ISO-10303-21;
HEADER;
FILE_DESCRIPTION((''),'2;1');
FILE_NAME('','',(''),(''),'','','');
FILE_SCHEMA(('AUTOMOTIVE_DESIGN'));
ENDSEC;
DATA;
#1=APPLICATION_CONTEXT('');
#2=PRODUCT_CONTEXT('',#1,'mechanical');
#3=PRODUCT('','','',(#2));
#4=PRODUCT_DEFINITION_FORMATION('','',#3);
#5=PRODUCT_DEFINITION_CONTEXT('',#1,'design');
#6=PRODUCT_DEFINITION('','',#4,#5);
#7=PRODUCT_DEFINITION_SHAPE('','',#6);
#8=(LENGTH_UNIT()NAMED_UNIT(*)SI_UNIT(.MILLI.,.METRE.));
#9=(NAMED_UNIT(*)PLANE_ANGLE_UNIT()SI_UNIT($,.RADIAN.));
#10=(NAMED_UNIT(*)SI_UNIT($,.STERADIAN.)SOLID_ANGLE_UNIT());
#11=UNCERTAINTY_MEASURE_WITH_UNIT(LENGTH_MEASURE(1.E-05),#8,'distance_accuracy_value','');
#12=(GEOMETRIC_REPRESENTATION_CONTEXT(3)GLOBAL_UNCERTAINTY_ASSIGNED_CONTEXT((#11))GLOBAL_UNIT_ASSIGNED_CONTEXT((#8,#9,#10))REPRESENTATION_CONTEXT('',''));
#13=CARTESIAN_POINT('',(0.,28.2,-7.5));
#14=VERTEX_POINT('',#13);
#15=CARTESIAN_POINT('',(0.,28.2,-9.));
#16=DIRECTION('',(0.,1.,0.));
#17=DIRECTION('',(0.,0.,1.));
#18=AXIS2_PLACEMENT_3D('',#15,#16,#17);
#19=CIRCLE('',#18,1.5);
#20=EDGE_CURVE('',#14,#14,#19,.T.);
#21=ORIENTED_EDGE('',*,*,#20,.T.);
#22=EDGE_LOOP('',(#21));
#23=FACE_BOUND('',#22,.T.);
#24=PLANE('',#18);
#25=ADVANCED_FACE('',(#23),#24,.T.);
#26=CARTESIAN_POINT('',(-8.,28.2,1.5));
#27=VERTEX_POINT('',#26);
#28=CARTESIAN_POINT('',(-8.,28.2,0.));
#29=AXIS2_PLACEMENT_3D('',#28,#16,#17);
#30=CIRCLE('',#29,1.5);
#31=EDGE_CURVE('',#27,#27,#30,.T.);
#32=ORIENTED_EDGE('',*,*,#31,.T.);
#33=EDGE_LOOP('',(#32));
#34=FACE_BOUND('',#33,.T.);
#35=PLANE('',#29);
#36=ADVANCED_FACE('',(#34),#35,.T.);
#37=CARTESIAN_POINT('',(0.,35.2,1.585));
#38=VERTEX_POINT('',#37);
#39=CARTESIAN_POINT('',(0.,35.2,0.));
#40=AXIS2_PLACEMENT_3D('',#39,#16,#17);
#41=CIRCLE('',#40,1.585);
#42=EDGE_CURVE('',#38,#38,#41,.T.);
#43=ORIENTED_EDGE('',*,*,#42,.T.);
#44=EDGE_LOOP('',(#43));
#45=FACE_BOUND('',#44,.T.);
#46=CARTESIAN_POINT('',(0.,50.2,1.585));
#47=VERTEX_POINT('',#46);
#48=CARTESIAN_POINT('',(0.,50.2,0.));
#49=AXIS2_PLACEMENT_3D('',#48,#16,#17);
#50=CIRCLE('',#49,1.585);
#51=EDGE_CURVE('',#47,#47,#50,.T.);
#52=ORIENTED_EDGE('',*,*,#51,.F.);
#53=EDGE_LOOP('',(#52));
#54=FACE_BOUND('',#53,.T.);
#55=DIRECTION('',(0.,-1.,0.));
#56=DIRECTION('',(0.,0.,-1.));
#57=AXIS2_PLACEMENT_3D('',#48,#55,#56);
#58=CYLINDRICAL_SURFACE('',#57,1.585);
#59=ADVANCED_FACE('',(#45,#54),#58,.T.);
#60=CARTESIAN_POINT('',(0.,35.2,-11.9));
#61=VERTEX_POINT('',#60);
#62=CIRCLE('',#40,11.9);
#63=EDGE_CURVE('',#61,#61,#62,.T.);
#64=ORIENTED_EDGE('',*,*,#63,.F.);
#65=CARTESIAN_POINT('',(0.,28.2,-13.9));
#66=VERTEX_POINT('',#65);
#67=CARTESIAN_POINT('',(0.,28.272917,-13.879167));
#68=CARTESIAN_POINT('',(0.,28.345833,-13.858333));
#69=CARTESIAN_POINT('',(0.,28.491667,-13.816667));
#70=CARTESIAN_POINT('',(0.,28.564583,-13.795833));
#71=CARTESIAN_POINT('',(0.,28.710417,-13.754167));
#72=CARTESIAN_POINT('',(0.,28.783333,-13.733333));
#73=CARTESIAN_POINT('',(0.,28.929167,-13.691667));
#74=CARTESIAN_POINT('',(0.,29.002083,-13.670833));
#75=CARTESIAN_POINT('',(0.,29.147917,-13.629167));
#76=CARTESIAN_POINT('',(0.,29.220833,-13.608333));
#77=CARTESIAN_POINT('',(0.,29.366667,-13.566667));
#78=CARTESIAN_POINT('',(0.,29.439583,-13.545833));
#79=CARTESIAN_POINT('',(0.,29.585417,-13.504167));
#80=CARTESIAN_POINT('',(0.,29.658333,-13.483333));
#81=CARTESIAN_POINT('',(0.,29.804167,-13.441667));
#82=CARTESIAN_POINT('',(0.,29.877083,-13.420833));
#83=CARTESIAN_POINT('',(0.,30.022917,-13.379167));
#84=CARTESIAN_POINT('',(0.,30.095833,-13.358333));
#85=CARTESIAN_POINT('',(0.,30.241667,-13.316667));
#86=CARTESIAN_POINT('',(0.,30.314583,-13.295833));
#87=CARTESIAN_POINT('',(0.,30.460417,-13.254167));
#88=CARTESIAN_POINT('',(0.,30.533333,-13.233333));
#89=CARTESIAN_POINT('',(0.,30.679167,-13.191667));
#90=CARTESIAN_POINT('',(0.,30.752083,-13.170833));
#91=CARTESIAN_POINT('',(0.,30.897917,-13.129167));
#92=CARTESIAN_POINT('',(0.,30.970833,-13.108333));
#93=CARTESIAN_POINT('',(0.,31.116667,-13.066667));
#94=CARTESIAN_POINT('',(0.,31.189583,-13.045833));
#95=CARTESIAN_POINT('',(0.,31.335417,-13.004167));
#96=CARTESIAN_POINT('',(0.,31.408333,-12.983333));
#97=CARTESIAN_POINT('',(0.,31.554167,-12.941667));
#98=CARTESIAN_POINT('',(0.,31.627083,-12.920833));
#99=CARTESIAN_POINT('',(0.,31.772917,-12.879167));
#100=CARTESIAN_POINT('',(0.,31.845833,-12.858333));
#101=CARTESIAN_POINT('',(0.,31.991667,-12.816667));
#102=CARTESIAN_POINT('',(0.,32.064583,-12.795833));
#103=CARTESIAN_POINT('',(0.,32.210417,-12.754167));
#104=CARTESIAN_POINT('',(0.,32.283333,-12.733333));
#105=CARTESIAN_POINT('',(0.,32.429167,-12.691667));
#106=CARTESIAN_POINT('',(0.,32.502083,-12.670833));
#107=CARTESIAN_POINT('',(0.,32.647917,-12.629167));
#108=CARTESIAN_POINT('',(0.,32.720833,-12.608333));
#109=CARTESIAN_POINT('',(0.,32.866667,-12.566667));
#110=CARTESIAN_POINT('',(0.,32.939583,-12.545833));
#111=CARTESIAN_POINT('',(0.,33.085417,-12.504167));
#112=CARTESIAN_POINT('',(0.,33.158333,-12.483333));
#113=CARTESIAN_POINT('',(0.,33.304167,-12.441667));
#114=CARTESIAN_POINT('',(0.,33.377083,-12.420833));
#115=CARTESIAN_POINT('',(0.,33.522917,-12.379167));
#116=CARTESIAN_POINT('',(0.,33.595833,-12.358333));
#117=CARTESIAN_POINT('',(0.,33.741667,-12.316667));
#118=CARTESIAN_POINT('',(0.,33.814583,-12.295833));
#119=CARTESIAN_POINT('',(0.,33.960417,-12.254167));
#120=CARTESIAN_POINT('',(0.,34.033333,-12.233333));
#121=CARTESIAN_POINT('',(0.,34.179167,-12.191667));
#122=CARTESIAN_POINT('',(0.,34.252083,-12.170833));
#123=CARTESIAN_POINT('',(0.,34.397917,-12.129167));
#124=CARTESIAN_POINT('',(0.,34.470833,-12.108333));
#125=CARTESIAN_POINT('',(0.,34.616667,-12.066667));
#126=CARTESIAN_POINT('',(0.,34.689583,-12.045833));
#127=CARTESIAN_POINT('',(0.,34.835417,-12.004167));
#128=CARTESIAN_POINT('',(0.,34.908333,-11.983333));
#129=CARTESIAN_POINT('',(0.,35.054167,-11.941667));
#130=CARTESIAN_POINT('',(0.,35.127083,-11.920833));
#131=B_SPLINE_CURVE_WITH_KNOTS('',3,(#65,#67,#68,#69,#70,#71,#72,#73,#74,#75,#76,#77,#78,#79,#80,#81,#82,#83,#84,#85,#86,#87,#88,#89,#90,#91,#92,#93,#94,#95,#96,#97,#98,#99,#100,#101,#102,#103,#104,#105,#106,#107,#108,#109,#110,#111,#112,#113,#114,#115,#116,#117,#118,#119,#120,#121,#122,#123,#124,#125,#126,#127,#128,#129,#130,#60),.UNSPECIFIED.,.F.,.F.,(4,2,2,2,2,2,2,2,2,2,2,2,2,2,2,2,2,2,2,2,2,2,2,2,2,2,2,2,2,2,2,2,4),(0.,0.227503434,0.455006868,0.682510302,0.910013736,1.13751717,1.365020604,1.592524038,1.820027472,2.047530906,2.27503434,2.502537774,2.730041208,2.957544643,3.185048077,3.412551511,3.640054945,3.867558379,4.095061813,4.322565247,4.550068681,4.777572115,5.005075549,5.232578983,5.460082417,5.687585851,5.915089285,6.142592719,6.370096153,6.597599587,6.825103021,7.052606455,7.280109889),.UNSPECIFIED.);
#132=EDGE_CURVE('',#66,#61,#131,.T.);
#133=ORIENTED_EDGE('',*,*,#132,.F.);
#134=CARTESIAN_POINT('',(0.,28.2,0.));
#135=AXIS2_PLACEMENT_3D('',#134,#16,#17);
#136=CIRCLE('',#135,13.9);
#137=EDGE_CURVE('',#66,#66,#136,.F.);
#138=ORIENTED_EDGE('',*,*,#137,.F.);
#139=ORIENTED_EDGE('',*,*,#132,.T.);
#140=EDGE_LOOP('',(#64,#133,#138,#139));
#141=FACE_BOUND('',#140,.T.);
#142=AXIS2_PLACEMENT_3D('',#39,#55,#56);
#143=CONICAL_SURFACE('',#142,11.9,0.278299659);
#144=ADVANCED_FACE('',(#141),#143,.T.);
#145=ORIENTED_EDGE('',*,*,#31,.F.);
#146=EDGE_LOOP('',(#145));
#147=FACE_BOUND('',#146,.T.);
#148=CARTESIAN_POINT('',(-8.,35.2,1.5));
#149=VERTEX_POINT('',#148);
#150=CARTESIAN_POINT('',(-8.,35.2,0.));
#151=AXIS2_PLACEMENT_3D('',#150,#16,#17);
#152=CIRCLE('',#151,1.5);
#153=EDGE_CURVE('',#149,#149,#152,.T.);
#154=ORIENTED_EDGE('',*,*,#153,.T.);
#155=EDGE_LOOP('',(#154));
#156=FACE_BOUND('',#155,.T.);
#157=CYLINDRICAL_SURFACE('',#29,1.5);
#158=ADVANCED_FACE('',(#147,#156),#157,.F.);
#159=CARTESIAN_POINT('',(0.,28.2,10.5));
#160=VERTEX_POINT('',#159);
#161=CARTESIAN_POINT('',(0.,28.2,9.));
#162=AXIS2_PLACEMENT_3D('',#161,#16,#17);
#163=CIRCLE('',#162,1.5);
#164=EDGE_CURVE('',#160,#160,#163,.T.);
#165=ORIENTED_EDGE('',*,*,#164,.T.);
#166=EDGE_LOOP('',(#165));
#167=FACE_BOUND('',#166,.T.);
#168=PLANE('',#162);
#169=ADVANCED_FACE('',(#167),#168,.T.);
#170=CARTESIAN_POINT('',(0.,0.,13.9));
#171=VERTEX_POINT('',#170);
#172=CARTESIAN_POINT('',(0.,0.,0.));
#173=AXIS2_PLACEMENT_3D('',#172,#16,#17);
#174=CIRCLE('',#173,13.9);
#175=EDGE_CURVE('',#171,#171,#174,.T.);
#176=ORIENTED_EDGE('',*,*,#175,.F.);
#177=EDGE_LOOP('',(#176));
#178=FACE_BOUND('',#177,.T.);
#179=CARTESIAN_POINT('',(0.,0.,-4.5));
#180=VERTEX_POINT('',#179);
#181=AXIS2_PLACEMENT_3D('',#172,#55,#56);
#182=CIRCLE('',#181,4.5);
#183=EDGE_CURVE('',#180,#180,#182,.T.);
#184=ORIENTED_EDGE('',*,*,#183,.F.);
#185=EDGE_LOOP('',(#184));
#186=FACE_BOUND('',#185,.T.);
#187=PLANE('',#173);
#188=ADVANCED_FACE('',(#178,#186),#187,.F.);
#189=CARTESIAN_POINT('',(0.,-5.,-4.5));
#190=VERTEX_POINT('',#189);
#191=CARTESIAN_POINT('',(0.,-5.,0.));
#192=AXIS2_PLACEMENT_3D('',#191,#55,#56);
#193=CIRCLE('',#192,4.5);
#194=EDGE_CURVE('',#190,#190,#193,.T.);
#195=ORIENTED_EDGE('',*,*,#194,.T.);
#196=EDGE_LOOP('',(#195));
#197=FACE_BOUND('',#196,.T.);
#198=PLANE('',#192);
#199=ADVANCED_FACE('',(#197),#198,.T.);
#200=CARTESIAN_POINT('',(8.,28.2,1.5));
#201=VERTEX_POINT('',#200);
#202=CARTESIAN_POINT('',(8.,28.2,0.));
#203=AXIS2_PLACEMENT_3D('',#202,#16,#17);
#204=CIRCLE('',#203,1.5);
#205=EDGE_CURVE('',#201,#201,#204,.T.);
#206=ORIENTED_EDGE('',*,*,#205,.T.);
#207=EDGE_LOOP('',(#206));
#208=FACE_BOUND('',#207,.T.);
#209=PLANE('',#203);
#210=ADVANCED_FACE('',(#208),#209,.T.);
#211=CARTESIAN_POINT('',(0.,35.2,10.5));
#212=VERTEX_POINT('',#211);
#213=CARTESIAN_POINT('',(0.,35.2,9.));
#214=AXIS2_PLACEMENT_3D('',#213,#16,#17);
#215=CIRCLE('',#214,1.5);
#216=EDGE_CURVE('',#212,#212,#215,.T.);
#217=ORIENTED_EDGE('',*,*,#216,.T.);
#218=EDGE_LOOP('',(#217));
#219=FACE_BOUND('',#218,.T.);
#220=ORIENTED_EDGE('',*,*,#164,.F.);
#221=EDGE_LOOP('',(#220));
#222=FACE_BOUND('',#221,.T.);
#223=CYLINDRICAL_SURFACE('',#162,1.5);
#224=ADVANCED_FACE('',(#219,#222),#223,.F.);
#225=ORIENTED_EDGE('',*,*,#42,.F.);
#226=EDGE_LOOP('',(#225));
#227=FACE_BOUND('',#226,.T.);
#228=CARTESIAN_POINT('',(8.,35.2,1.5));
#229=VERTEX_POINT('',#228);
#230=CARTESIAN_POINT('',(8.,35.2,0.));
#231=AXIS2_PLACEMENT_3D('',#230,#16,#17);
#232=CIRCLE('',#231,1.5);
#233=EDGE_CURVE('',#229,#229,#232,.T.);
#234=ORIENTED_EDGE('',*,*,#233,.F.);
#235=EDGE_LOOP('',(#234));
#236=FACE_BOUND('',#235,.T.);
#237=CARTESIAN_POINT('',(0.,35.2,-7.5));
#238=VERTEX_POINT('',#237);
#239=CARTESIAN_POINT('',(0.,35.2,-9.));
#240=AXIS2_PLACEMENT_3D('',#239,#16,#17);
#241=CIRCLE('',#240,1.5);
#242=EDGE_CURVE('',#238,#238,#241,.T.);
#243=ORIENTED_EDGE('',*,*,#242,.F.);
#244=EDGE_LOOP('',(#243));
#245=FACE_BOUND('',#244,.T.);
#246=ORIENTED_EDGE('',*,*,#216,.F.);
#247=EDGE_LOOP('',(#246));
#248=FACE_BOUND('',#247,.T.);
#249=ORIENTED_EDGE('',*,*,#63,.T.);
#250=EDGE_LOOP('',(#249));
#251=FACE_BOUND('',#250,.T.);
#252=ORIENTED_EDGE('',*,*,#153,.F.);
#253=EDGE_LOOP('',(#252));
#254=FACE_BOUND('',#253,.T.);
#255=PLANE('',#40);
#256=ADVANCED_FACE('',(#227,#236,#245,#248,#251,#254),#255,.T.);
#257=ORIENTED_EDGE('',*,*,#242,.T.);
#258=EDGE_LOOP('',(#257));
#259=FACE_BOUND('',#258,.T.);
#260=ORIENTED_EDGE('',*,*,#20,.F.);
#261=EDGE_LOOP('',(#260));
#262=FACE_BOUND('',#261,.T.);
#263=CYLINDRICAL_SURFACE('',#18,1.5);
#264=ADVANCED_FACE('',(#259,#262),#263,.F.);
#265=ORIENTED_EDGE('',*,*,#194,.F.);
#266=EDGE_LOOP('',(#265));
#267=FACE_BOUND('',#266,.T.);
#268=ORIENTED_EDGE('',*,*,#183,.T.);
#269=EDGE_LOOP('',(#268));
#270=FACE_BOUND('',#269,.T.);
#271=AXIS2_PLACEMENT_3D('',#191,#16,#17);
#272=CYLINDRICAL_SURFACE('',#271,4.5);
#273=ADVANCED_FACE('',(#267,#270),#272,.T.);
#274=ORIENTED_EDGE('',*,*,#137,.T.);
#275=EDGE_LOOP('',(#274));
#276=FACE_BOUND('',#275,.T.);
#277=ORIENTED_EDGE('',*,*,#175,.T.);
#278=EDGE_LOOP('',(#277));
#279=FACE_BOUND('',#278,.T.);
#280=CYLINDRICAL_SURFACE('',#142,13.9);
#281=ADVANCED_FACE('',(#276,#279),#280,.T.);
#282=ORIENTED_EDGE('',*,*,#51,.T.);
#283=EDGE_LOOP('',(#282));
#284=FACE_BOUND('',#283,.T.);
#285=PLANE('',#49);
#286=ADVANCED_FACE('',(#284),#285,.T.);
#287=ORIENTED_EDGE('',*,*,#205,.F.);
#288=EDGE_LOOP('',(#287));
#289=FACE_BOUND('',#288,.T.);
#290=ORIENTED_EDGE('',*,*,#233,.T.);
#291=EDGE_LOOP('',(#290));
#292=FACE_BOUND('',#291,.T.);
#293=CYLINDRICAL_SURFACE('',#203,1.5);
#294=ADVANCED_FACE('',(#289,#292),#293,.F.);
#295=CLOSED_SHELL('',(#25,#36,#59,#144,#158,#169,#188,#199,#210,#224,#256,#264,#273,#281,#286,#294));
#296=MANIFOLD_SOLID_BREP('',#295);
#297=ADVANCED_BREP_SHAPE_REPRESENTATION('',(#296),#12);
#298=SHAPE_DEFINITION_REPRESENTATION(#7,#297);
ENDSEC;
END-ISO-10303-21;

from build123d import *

# Parameters (mm, degrees)
SKETCH1_R           = 13.9
BOSS_EXTRUDE1_DEPTH = 35.2
SKETCH2_R           = 1.585
BOSS_EXTRUDE2_DEPTH = 15
SKETCH4_R           = 1.5
CUT_EXTRUDE1_DEPTH  = 7
CHAMFER1_SIZE       = 7
CHAMFER1_SIZE2      = 2
SKETCH5_R           = 4.5
BOSS_EXTRUDE3_DEPTH = 5


with BuildPart() as part:
    # Sketch1 → Boss-Extrude1 (new body)
    with BuildSketch(Plane(origin=(0, 0, 0), x_dir=(1, 0, 0), z_dir=(0, 1, 0))):
        with Locations(Location((0, 0, 0), (0, 0, 270))):
            Circle(SKETCH1_R)
    extrude(amount=BOSS_EXTRUDE1_DEPTH)

    # Sketch2 → Boss-Extrude2 (add)
    with BuildSketch(Plane(origin=(0, 35.2, 0), x_dir=(1, 0, 0), z_dir=(0, 1, 0))):
        with Locations(Location((0, 0, 0), (0, 0, 270))):
            Circle(SKETCH2_R)
    extrude(amount=BOSS_EXTRUDE2_DEPTH)

    # Sketch4 → Cut-Extrude1 (cut)
    with BuildSketch(Plane(origin=(0, 35.2, 0), x_dir=(1, 0, 0), z_dir=(0, 1, 0))):
        with Locations(Location((0, 9, 0), (0, 0, 270))):
            Circle(SKETCH4_R)
        with Locations(Location((-8, 0, 0), (0, 0, 270))):
            Circle(SKETCH4_R)
        with Locations(Location((8, 0, 0), (0, 0, 270))):
            Circle(SKETCH4_R)
        with Locations(Location((0, -9, 0), (0, 0, 270))):
            Circle(SKETCH4_R)
    extrude(amount=-CUT_EXTRUDE1_DEPTH, mode=Mode.SUBTRACT)

    # Chamfer1
    chamfer1_edges = [part.edges().sort_by_distance(p)[0] for p in [
        (0, 35.2, -13.9),
    ]]
    chamfer1_side = [part.faces().sort_by_distance(p)[0] for p in [
        (0, 17.6, -13.9),
    ]]
    chamfer(chamfer1_edges, length=CHAMFER1_SIZE, length2=CHAMFER1_SIZE2, reference=chamfer1_side[0])

    # Sketch5 → Boss-Extrude3 (add)
    with BuildSketch(Plane.XZ):
        with Locations(Location((0, 0, 0), (0, 0, 270))):
            Circle(SKETCH5_R)
    extrude(amount=BOSS_EXTRUDE3_DEPTH)


solid = part.part
